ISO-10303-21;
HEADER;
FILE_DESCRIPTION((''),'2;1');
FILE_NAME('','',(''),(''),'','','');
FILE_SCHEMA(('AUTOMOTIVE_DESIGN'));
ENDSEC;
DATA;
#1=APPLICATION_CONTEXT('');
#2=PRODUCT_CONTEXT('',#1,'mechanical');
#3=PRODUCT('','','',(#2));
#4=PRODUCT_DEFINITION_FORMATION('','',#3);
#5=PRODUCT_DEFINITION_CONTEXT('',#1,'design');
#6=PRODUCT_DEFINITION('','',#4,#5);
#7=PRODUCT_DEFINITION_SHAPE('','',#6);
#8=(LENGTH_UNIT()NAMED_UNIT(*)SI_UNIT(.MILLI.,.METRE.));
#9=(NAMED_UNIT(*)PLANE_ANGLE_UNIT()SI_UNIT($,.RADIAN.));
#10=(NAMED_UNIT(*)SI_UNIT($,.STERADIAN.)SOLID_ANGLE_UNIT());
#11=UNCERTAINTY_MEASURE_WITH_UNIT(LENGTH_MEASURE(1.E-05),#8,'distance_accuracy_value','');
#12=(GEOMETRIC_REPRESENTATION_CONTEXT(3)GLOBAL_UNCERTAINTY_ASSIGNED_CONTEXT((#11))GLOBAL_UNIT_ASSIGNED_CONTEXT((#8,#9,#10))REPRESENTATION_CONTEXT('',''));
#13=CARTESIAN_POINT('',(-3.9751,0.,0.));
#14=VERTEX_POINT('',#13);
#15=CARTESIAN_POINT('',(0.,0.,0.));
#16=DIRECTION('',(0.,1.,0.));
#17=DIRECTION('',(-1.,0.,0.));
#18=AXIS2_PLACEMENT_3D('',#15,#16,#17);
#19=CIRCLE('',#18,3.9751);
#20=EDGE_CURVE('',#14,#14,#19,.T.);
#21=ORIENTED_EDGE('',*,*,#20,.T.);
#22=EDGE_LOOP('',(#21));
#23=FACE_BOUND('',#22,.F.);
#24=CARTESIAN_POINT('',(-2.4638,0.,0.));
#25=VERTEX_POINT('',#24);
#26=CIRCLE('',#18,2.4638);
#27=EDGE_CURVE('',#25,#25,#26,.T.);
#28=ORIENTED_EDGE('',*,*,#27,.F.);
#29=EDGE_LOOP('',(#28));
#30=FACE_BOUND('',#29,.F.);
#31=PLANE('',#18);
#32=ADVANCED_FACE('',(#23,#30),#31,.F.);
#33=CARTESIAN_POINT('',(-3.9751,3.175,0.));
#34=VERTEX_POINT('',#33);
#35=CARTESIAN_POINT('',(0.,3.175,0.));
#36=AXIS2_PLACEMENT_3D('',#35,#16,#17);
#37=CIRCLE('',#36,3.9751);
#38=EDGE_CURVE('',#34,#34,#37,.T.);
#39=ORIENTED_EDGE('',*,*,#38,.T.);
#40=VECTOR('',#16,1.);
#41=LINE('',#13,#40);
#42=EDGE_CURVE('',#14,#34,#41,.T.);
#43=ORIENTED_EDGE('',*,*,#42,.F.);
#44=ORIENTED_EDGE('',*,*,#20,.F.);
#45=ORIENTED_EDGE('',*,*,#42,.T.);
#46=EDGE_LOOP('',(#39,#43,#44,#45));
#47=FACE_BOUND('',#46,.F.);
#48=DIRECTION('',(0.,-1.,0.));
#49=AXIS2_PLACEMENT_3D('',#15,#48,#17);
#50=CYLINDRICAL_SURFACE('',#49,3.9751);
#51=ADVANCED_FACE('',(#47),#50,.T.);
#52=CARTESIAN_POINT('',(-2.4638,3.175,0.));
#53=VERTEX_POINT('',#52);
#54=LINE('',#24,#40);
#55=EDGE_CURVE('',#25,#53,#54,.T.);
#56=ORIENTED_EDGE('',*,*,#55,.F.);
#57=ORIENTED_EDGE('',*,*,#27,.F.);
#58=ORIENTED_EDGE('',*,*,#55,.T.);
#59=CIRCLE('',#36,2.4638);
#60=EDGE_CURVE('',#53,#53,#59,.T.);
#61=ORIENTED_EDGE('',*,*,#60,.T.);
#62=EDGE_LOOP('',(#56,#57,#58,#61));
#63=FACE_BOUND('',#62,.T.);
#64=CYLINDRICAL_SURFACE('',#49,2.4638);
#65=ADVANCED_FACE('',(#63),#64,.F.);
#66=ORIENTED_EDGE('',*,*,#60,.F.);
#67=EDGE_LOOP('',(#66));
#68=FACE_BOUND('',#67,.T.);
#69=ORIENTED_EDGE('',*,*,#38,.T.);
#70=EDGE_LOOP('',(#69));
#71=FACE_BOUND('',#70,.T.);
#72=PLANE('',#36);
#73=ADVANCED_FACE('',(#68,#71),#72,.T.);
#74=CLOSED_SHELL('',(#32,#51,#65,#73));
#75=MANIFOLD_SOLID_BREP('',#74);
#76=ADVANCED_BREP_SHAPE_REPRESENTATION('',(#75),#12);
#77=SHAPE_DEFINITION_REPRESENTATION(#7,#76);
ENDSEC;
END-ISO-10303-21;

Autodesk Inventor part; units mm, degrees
ref_plane "YZ Plane" through (0, 0, 0) normal (1, 0, 0) x (0, 1, 0)
ref_plane "XZ Plane" through (0, 0, 0) normal (0, 1, 0) x (-1, 0, 0)
ref_plane "XY Plane" through (0, 0, 0) normal (0, 0, 1) x (1, 0, 0)
sketch "Sketch1" plane through (0, 0, 0) normal (0, 1, 0) x (-1, 0, 0)
  circle A0 centre (0, 0) radius 2.4638
  circle A1 centre (0, 0) radius 3.9751
  dimension "d0" = 4.9276
  dimension "d1" = 7.9502
extrude "Extrusion1" add sketch "Sketch1" along normal blind 3.175
properties part number "Nylon Spacer .313 OD-.125" material "VEX Nylon"
